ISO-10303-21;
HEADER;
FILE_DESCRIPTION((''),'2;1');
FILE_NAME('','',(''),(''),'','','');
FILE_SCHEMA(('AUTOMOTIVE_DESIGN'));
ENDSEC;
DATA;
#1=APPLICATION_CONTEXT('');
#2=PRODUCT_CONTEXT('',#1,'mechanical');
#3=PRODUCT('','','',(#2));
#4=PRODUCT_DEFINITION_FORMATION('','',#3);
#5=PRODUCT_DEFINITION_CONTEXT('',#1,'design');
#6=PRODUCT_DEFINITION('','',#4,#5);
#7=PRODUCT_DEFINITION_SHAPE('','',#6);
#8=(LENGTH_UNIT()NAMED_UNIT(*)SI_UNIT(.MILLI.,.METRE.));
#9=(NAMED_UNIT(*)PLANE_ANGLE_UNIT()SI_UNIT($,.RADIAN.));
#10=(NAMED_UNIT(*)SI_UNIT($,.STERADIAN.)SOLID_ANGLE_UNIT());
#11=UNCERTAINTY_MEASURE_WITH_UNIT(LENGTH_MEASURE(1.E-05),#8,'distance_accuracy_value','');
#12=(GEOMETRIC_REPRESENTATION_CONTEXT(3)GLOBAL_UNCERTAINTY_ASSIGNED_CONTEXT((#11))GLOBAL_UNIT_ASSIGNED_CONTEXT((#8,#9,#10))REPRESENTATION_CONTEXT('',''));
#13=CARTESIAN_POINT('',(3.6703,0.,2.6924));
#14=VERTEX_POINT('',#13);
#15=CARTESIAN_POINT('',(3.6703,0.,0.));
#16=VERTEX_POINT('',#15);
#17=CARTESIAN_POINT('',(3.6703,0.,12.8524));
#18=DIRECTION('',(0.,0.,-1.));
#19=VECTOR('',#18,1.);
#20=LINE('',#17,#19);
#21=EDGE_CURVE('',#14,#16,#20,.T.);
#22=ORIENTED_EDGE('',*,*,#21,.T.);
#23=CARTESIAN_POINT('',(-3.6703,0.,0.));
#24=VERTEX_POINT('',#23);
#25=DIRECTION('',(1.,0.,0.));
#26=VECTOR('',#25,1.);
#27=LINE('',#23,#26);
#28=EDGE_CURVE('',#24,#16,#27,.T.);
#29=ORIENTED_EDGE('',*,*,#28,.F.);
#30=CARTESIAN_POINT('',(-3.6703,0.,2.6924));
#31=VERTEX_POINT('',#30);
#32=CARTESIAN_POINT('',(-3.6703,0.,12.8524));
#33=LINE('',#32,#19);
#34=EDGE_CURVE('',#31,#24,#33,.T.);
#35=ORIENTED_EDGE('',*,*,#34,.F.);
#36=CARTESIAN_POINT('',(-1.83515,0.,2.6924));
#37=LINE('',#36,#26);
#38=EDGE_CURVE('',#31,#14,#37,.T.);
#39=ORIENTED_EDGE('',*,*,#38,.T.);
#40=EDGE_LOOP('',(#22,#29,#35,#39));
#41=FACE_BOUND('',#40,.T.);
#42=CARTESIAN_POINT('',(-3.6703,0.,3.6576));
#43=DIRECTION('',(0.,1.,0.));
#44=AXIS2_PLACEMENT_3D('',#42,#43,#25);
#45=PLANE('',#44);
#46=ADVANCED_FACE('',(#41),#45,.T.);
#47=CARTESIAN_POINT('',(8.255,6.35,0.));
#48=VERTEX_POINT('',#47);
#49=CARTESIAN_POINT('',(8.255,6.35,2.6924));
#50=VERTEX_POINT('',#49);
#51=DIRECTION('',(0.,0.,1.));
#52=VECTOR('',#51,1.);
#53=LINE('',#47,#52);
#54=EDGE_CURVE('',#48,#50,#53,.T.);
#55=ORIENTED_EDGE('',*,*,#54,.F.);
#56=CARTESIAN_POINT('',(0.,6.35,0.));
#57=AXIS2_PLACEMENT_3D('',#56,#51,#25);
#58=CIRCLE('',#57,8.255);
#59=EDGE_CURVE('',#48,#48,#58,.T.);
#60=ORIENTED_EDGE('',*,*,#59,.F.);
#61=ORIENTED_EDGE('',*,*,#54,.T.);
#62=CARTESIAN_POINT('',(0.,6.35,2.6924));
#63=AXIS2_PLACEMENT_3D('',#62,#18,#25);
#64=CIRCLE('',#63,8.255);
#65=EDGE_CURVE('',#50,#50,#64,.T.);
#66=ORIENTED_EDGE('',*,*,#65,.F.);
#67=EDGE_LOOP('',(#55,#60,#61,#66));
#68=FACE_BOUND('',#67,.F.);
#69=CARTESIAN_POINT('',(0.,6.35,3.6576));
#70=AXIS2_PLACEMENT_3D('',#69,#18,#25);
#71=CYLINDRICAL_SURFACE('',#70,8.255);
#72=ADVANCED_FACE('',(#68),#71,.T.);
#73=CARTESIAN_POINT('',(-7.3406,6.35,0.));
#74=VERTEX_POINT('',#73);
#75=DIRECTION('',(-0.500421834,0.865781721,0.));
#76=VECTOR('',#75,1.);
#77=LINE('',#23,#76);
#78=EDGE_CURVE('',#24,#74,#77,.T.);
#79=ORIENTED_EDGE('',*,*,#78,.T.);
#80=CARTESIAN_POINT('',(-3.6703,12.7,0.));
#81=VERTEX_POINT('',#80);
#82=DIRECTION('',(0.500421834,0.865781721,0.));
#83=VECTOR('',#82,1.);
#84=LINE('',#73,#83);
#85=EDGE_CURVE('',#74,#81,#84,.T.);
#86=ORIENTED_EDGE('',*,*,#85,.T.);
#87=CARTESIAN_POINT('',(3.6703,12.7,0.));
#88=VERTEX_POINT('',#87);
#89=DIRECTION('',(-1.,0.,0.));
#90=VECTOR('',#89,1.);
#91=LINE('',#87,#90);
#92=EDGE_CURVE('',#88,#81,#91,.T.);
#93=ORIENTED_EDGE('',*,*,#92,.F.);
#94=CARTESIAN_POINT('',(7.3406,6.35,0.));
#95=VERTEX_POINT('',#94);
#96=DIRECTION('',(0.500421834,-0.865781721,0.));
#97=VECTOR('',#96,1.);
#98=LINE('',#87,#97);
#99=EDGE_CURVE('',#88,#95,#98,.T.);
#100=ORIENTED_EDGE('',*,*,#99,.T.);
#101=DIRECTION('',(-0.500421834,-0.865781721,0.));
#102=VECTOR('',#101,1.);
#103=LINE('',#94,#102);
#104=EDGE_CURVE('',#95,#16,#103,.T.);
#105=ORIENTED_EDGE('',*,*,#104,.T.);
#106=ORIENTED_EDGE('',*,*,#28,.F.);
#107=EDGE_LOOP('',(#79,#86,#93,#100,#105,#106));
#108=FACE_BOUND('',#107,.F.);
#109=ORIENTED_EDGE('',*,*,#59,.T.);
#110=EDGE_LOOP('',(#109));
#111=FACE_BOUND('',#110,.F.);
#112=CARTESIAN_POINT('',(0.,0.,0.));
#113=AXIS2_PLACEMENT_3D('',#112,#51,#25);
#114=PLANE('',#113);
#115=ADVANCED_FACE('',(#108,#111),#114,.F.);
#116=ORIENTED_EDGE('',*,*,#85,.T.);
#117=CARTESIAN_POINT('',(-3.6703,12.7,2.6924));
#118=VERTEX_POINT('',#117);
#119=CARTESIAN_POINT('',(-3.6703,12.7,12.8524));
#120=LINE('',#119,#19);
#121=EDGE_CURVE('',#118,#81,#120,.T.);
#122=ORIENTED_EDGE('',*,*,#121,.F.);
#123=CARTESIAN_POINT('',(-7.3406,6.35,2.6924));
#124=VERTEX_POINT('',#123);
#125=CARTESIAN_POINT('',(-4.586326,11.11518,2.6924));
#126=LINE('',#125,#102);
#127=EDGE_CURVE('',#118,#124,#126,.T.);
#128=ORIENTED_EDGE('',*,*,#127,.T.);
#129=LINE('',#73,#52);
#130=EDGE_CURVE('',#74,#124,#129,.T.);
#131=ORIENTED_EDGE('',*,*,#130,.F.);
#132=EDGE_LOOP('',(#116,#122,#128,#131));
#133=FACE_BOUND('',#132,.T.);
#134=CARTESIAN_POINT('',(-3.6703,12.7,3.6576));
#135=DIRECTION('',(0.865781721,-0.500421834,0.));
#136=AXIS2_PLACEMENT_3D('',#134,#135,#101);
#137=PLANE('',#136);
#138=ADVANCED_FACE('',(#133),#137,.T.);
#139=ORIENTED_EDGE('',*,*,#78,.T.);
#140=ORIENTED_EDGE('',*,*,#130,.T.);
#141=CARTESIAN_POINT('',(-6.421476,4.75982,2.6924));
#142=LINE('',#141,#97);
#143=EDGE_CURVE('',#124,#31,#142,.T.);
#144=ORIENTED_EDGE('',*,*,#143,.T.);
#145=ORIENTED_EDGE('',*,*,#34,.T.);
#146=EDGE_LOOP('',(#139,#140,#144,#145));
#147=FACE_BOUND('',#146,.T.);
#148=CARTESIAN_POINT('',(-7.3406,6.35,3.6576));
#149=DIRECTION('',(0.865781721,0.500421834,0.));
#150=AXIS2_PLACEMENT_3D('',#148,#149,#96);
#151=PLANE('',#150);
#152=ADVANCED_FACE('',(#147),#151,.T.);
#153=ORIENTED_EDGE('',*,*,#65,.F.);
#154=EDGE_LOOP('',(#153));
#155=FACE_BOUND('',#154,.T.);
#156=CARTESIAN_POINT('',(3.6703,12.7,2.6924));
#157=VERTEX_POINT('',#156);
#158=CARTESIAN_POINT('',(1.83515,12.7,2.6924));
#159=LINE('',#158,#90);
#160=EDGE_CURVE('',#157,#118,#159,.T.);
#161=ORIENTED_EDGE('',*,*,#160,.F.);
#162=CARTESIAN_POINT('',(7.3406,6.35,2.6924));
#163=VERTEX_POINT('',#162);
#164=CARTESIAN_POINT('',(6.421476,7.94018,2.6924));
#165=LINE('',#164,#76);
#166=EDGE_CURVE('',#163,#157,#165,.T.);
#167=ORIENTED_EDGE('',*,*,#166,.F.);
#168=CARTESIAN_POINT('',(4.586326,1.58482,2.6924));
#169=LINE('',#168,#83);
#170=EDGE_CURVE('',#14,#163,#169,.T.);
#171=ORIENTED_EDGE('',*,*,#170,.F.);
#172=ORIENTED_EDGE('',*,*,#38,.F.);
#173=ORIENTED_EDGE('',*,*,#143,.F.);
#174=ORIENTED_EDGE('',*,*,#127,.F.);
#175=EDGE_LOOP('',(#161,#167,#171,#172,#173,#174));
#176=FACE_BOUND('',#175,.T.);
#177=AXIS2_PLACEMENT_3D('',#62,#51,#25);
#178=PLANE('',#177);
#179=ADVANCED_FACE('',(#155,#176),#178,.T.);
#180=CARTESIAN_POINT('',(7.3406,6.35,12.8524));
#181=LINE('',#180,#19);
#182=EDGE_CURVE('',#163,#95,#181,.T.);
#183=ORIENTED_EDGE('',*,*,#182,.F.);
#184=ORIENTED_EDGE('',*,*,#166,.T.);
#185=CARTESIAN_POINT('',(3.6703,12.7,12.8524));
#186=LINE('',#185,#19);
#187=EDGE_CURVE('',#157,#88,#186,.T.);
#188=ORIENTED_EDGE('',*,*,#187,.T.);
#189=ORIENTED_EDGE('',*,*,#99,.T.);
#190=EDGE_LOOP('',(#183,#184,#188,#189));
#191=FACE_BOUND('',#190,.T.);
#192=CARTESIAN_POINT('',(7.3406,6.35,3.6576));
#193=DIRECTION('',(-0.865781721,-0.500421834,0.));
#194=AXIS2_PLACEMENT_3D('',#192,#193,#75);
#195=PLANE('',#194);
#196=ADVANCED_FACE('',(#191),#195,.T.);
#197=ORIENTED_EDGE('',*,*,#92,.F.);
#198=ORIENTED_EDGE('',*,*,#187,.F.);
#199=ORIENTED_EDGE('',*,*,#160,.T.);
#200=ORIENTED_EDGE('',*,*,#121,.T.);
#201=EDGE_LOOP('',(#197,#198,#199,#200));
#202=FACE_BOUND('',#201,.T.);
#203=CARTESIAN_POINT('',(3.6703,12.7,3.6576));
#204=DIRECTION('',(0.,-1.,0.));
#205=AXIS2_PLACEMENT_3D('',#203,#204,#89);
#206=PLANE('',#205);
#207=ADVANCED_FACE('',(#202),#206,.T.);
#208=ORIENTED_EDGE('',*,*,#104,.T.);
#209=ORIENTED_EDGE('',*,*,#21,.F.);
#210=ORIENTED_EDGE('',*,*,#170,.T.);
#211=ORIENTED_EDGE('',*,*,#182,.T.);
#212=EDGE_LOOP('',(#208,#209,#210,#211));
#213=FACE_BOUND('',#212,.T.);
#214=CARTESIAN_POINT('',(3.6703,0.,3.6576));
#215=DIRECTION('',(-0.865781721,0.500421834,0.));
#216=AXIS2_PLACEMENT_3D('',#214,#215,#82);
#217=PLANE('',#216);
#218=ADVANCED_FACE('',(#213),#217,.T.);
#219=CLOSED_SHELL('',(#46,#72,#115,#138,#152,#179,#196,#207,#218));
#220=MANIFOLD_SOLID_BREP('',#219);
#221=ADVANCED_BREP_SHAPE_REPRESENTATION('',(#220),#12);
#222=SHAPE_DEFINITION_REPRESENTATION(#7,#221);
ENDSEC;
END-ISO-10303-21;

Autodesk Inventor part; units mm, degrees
ref_plane "YZ Plane" through (0, 0, 0) normal (1, 0, 0) x (0, 1, 0)
ref_plane "XZ Plane" through (0, 0, 0) normal (0, 1, 0) x (-1, 0, 0)
ref_plane "XY Plane" through (0, 0, 0) normal (0, 0, 1) x (1, 0, 0)
sketch "Sketch2" plane through (0, 0, 0) normal (0, 0, 1) x (1, 0, 0)
  line L0 (0, 12.7) -> (3.6703, 12.7)
  line L1 (0, 12.7) -> (-3.6703, 12.7)
  line L2 (0, 0) -> (3.6703, 0)
  line L3 (0, 0) -> (-3.6703, 0)
  line L4 (-3.6703, 0) -> (-7.3406, 6.35)
  line L5 (-7.3406, 6.35) -> (-3.6703, 12.7)
  line L6 (3.6703, 12.7) -> (7.3406, 6.35)
  line L7 (7.3406, 6.35) -> (3.6703, 0)
  line L8 (0, 0) -> (0, 6.35)
  circle A0 centre (0, 6.35) radius 8.255
  dimension "d11" = 6.35
  dimension "d12" = 16.51
extrude "Extrusion2" add sketch "Sketch2" along normal blind 6.223
sketch "Sketch3" plane through (0, 6.35, 6.223) normal (0, 0, 1) x (1, 0, 0)
  line L0 (-3.6703, -6.35) -> (-7.3406, 0) projected
  line L1 (-7.3406, 0) -> (-3.6703, 6.35) projected
  line L2 (-3.6703, 6.35) -> (3.6703, 6.35) projected
  line L3 (3.6703, 6.35) -> (7.3406, 0) projected
  line L4 (7.3406, 0) -> (3.6703, -6.35) projected
  line L5 (3.6703, -6.35) -> (-3.6703, -6.35) projected
  circle A0 centre (0, 0) radius 8.255 projected
  point P0 (0, -6.35)
extrude "Extrusion3" add sketch "Sketch3" along normal blind 3.302
sketch "Sketch4" plane through (0, 6.35, 9.525) normal (0, 0, 1) x (1, 0, 0)
  line L0 (-7.3406, 0) -> (-3.6703, 6.35) projected
  line L1 (-3.6703, 6.35) -> (3.6703, 6.35) projected
  line L2 (3.6703, 6.35) -> (7.3406, 0) projected
  line L3 (7.3406, 0) -> (3.6703, -6.35) projected
  line L4 (3.6703, -6.35) -> (-3.6703, -6.35) projected
  line L5 (-3.6703, -6.35) -> (-7.3406, 0) projected
  circle A0 centre (0, 0) radius 8.255 projected
  point P0 (0, -6.35)
extrude "Extrusion4" add sketch "Sketch4" along normal blind 6.5786
sketch "Sketch5" plane through (0, 6.35, 16.1036) normal (0, 0, 1) x (1, 0, 0)
  line L0 (-16.3467, 15.7745) -> (15.1254, 15.7745)
  line L1 (15.1254, 15.7745) -> (15.1254, -12.8793)
  line L2 (15.1254, -12.8793) -> (-16.3467, -12.8793)
  line L3 (-16.3467, -12.8793) -> (-16.3467, 15.7745)
  point P0 (0, -6.35)
extrude "Extrusion5" cut sketch "Sketch5" against normal blind 6.5786
sketch "Sketch8" plane through (0, 6.35, 9.525) normal (0, 0, 1) x (1, 0, 0)
  line L0 (-7.3406, 0) -> (-3.6703, -6.35) projected
  line L1 (-3.6703, 6.35) -> (-7.3406, 0) projected
  line L2 (3.6703, 6.35) -> (-3.6703, 6.35) projected
  line L3 (7.3406, 0) -> (3.6703, 6.35) projected
  line L4 (3.6703, -6.35) -> (7.3406, 0) projected
  line L5 (-3.6703, -6.35) -> (3.6703, -6.35) projected
  circle A0 centre (0, 0) radius 8.255 projected
  point P0 (0, -6.35)
extrude "Extrusion7" add sketch "Sketch8" along normal blind 15.875
sketch "Sketch9" plane through (0, 6.35, 25.4) normal (0, 0, 1) x (1, 0, 0)
  line L0 (-7.3406, 0) -> (-3.6703, 6.35) projected
  line L1 (-3.6703, 6.35) -> (3.6703, 6.35) projected
  line L2 (3.6703, 6.35) -> (7.3406, 0) projected
  line L3 (7.3406, 0) -> (3.6703, -6.35) projected
  line L4 (3.6703, -6.35) -> (-3.6703, -6.35) projected
  line L5 (-3.6703, -6.35) -> (-7.3406, 0) projected
  circle A0 centre (0, 0) radius 8.255 projected
  point P0 (0, -6.35)
extrude "Extrusion8" cut sketch "Sketch9" against normal blind 21.7424
sketch "Sketch10" plane through (0, 6.35, 3.6576) normal (0, 0, 1) x (1, 0, 0)
  line L0 (-7.3406, 0) -> (-3.6703, -6.35) projected
  line L1 (-3.6703, 6.35) -> (-7.3406, 0) projected
  line L2 (3.6703, 6.35) -> (-3.6703, 6.35) projected
  line L3 (7.3406, 0) -> (3.6703, 6.35) projected
  line L4 (3.6703, -6.35) -> (7.3406, 0) projected
  line L5 (-3.6703, -6.35) -> (3.6703, -6.35) projected
  circle A0 centre (0, 0) radius 8.255 projected
  point P0 (0, -6.35)
extrude "Extrusion9" add sketch "Sketch10" along normal blind 9.1948
sketch "Sketch11" plane through (0, 6.35, 12.8524) normal (0, 0, 1) x (1, 0, 0)
  line L0 (-10.961, 11.9872) -> (13.8218, 11.9872)
  line L1 (13.8218, 11.9872) -> (13.8218, -11.21)
  line L2 (13.8218, -11.21) -> (-10.961, -11.21)
  line L3 (-10.961, -11.21) -> (-10.961, 11.9872)
  point P0 (0, -6.35)
extrude "Extrusion10" cut sketch "Sketch11" against normal blind 10.16
properties part number ".106Spacer"
